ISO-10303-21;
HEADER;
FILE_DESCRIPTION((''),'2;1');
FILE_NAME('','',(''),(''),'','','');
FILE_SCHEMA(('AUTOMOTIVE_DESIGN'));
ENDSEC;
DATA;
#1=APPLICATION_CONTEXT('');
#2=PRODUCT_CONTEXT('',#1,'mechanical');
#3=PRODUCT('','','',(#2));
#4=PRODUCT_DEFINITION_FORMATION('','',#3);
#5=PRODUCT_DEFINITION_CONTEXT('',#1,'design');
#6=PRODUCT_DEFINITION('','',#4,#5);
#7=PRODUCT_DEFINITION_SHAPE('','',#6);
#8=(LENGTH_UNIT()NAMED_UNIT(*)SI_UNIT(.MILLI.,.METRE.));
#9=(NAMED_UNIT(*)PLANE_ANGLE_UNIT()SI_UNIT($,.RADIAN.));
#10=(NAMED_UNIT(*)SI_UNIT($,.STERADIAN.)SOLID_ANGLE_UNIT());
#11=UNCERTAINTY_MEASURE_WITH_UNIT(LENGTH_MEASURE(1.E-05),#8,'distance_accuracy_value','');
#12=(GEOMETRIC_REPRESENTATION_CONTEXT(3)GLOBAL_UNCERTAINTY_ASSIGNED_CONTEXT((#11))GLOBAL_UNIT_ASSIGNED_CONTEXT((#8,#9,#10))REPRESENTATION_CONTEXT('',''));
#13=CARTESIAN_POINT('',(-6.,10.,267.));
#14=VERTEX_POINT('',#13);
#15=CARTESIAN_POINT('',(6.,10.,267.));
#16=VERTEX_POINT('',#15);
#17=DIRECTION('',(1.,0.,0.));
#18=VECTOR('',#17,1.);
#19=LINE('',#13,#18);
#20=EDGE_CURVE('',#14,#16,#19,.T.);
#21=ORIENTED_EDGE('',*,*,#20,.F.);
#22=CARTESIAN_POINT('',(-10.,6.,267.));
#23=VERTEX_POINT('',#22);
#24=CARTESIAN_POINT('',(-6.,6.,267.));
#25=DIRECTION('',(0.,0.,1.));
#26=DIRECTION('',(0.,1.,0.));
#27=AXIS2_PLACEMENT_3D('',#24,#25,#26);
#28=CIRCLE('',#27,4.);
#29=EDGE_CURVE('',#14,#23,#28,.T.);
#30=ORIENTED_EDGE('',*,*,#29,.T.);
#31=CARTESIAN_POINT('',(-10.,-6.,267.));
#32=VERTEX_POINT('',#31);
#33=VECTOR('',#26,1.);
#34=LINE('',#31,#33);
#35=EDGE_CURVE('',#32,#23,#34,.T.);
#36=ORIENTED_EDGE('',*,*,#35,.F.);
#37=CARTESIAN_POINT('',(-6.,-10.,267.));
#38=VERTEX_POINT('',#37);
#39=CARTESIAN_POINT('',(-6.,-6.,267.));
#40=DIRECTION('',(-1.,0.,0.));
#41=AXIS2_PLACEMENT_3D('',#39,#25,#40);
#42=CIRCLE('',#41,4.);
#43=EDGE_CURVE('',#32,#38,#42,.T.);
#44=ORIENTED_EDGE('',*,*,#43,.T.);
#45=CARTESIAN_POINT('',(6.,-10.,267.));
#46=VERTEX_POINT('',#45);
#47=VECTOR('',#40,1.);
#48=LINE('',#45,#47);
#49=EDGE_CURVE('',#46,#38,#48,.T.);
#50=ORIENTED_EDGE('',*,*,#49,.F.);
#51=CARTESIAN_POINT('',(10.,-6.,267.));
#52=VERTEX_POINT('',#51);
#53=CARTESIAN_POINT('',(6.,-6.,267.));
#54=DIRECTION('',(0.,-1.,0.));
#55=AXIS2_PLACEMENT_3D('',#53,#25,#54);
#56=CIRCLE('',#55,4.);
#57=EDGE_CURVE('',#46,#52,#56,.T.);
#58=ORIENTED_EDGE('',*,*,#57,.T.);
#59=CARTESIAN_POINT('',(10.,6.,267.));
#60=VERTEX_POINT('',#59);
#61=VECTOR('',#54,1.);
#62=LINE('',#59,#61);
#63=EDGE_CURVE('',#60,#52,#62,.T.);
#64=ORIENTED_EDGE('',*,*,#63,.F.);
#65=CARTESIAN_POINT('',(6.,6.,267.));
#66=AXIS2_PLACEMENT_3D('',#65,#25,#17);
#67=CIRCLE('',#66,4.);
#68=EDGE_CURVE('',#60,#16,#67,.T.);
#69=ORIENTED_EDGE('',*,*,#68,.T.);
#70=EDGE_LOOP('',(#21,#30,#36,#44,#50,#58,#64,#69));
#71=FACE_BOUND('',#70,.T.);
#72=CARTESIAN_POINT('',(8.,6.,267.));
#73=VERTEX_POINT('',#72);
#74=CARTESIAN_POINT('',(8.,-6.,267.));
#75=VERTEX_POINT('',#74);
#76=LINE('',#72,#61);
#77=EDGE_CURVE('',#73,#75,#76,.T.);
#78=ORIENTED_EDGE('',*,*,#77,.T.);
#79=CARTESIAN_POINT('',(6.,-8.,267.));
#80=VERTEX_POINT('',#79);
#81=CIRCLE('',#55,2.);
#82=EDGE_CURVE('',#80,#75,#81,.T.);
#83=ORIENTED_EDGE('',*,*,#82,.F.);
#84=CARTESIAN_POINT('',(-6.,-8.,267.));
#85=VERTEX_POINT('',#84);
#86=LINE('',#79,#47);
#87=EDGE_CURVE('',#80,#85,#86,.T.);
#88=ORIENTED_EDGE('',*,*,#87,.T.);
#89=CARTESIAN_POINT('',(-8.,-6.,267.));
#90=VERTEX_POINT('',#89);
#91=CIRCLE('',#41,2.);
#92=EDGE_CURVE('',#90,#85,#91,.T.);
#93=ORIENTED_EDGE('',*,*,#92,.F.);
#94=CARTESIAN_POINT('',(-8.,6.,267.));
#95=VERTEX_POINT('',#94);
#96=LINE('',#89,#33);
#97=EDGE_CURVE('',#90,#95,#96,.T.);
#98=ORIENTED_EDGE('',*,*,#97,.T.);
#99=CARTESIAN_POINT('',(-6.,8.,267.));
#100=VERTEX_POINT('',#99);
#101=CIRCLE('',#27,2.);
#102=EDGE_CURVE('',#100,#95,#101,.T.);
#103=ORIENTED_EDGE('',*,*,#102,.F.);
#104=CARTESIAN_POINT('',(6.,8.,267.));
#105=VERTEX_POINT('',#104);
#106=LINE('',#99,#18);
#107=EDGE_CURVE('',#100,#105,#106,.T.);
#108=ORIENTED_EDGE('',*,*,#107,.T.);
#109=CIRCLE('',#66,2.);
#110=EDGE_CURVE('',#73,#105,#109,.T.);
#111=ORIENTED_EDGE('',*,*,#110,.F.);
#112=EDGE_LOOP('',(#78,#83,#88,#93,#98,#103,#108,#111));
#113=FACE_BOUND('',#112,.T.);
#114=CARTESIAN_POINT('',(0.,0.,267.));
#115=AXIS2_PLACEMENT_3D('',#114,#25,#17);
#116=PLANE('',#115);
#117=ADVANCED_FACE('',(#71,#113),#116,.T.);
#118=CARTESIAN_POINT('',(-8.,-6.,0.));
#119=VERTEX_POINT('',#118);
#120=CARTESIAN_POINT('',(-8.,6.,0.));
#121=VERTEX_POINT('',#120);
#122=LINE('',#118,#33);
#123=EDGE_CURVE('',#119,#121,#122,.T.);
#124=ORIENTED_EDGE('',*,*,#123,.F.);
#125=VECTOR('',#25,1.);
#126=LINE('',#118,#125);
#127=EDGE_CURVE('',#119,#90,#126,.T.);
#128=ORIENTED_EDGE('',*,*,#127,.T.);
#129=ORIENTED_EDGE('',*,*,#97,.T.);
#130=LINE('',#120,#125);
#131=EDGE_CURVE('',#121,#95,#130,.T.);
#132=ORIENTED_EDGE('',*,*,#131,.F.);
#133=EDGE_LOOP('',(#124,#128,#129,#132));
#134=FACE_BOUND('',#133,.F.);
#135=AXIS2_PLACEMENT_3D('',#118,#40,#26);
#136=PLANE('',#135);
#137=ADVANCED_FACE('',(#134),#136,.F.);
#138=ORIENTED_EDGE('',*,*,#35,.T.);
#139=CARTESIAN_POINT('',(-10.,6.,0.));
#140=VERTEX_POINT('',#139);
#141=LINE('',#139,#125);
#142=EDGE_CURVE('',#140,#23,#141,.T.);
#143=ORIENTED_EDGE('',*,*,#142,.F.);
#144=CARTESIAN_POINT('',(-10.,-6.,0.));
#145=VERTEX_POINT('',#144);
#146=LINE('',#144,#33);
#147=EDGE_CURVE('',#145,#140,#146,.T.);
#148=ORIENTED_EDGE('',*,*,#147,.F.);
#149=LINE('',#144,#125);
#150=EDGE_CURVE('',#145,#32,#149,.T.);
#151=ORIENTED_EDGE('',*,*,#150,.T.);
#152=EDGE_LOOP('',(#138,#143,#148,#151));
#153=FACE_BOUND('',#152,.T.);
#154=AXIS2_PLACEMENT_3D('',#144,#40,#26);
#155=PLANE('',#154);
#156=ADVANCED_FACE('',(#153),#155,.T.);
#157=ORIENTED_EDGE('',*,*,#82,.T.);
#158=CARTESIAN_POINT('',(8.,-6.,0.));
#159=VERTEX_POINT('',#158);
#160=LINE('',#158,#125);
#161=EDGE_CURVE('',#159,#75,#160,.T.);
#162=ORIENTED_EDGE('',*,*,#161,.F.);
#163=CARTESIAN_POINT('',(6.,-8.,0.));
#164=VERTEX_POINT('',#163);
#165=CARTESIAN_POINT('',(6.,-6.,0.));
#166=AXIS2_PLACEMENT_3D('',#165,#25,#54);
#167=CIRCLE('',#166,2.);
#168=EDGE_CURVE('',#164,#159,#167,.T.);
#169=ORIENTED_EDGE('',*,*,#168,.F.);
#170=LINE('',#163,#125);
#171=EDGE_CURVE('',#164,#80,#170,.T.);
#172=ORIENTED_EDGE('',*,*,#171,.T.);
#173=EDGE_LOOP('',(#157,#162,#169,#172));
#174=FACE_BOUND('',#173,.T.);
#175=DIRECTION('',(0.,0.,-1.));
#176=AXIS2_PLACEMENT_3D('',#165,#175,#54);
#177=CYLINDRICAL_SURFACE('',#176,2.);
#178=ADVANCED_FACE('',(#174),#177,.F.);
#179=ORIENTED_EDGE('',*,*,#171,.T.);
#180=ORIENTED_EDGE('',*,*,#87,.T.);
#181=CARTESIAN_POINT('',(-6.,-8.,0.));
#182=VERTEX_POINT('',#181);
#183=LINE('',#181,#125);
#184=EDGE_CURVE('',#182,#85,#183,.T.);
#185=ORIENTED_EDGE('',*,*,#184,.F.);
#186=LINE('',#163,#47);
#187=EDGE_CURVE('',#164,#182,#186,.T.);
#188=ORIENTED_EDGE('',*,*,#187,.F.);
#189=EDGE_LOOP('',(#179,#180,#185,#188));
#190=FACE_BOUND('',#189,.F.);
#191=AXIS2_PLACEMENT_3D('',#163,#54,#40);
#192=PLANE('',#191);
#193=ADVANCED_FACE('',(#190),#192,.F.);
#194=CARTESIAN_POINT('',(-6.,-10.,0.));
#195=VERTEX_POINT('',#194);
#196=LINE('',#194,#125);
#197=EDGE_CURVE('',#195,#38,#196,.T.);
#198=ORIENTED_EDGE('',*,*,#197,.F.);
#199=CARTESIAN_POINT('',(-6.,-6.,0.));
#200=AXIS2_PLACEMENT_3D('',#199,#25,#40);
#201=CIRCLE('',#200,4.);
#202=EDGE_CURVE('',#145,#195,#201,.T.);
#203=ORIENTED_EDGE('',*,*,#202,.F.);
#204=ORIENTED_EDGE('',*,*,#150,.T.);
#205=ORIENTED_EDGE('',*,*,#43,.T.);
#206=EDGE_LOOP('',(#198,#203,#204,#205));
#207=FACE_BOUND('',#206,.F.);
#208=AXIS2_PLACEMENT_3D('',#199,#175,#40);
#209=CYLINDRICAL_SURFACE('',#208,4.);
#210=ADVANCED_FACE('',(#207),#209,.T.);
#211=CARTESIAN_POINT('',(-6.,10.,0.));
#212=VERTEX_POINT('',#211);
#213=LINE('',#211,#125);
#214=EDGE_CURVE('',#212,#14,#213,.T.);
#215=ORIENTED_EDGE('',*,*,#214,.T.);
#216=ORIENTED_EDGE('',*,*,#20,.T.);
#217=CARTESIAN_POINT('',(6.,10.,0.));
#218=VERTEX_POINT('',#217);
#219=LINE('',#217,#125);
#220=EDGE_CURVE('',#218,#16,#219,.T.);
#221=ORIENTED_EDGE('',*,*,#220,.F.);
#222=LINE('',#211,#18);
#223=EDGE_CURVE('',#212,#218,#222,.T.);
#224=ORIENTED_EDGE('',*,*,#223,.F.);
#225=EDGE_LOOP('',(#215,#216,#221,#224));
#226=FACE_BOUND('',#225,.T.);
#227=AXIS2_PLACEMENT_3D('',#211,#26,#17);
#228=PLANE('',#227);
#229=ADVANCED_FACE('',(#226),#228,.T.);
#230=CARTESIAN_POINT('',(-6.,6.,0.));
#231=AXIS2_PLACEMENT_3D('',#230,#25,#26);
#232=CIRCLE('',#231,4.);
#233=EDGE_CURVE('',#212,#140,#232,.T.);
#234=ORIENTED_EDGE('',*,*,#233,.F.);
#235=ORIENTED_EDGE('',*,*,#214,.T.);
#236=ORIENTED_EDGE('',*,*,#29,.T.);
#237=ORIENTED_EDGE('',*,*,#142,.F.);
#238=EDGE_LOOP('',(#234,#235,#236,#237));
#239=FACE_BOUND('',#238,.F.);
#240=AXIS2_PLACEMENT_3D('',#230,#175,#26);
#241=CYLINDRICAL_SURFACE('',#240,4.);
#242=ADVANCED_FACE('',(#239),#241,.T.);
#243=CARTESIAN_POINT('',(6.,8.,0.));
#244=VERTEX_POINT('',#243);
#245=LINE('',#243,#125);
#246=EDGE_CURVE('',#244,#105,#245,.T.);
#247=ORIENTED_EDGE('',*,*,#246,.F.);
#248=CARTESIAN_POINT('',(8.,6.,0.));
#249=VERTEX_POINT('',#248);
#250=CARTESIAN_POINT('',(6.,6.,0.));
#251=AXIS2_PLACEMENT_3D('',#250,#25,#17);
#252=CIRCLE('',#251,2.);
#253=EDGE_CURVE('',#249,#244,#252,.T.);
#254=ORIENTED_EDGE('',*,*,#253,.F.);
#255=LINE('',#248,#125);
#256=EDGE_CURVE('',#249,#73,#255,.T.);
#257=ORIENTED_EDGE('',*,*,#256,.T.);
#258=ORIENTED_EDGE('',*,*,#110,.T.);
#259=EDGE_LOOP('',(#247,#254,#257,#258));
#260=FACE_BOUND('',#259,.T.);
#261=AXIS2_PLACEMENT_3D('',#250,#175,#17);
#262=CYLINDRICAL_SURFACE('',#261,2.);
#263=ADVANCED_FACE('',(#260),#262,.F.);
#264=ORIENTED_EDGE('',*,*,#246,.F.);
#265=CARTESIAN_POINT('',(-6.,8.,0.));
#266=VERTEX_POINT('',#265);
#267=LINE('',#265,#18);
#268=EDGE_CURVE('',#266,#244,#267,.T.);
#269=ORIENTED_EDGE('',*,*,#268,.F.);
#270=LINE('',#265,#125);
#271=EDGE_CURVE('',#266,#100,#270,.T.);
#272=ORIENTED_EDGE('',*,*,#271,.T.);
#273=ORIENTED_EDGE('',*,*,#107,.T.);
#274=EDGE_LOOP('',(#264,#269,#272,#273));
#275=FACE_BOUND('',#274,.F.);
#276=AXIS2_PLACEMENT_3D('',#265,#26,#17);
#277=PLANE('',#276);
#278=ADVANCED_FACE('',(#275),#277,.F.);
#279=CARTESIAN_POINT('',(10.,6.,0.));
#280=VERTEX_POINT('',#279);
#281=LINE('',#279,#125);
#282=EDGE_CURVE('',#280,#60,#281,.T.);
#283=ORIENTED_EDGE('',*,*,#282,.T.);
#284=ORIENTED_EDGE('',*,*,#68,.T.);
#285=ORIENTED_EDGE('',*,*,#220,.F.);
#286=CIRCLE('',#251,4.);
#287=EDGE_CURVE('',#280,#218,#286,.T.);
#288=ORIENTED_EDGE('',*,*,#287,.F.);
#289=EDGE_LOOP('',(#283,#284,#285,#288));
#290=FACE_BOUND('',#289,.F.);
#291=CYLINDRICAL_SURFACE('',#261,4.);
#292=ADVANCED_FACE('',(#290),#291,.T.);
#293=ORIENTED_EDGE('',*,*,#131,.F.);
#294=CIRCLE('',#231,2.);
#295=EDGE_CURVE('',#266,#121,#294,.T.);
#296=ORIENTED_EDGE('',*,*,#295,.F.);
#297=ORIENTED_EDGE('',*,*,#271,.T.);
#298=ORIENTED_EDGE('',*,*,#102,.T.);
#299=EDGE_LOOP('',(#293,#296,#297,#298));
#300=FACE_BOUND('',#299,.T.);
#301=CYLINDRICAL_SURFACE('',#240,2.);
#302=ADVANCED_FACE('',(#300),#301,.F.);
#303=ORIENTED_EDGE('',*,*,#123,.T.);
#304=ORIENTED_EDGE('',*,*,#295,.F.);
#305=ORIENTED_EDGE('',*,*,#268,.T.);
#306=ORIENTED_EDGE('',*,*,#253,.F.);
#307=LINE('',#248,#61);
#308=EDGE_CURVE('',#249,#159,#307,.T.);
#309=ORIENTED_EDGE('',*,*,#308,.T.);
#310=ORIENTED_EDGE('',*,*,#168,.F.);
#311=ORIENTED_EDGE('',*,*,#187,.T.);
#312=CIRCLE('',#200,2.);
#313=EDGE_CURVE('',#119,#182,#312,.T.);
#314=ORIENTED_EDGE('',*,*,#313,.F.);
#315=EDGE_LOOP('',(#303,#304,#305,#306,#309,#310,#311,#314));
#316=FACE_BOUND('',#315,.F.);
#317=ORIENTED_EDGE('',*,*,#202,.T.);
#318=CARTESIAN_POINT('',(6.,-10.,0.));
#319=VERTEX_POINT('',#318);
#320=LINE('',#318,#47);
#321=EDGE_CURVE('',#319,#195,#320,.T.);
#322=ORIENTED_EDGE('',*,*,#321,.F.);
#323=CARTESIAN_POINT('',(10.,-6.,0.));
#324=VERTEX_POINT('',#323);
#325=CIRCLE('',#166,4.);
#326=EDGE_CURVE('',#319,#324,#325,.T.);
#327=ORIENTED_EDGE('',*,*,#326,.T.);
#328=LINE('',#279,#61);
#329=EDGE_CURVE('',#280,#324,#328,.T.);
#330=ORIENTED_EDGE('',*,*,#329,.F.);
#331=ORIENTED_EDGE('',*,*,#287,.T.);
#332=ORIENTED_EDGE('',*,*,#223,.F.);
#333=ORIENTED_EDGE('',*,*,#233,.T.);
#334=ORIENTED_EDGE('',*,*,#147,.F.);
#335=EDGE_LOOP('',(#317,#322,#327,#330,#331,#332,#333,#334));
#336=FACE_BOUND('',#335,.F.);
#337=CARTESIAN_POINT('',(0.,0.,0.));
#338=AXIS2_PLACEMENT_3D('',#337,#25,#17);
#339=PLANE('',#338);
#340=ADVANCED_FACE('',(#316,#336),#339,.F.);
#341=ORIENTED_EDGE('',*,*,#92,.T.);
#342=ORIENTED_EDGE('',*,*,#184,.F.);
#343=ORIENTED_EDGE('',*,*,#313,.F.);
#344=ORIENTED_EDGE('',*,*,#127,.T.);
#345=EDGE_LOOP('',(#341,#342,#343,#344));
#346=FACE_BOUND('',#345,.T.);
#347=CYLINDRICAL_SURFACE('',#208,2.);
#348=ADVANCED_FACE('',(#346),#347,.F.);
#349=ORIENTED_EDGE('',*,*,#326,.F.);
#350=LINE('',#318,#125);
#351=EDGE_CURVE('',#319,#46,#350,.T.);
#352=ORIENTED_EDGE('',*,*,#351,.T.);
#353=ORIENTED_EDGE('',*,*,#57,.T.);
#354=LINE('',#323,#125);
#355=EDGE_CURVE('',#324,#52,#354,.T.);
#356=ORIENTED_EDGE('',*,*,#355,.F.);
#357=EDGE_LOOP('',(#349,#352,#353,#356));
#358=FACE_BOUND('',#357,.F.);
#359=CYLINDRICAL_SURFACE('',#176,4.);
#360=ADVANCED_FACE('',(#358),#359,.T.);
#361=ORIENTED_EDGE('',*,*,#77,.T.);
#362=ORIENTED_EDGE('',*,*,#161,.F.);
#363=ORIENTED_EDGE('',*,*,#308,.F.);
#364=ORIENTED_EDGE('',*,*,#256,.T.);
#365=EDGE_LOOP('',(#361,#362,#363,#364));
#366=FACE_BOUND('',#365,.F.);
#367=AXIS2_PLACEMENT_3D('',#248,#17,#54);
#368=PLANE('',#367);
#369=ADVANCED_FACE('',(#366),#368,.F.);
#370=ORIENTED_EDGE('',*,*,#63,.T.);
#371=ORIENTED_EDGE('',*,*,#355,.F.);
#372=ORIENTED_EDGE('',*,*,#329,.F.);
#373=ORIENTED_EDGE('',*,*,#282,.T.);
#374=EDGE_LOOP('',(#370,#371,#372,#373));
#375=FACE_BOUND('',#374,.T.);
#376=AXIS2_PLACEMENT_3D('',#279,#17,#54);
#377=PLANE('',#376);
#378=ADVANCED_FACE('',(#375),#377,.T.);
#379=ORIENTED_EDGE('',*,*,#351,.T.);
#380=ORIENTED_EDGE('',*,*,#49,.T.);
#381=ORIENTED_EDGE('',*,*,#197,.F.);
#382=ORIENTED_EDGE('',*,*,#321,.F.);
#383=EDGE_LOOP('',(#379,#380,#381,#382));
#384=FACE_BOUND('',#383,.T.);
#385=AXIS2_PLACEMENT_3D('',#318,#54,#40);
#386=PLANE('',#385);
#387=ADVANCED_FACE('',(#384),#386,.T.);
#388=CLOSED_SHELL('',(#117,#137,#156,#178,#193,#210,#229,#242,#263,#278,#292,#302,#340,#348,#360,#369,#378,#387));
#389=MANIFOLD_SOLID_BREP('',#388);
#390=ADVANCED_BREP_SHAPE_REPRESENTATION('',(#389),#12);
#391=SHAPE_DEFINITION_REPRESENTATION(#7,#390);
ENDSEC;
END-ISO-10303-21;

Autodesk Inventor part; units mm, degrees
ref_plane "YZ Plane" through (0, 0, 0) normal (1, 0, 0) x (0, 1, 0)
ref_plane "Plan de départ" through (0, 0, 0) normal (0, 0, 1) x (1, 0, 0)
ref_plane "Plan de fin" through (0, 0, 267) normal (0, 0, 1) x (1, 0, 0)
sketch "Esquisse" plane through (0, 0, 0) normal (0, 0, 1) x (1, 0, 0)
  line L0 (-10, -6) -> (-10, 6)
  line L1 (-6, 10) -> (6, 10)
  line L2 (10, 6) -> (10, -6)
  line L3 (6, -10) -> (-6, -10)
  arc A0 (-10, -6) -> (-6, -10) centre (-6, -6) ccw
  arc A1 (10, 6) -> (6, 10) centre (6, 6) ccw
  arc A2 (-6, 10) -> (-10, 6) centre (-6, 6) ccw
  arc A3 (6, -10) -> (10, -6) centre (6, -6) ccw
  arc A4 (-6, 8) -> (-8, 6) centre (-6, 6) ccw
  line L4 (-6, 8) -> (6, 8)
  arc A5 (8, 6) -> (6, 8) centre (6, 6) ccw
  line L5 (8, 6) -> (8, -6)
  arc A6 (6, -8) -> (8, -6) centre (6, -6) ccw
  line L6 (6, -8) -> (-6, -8)
  arc A7 (-8, -6) -> (-6, -8) centre (-6, -6) ccw
  line L7 (-8, -6) -> (-8, 6)
  line L8 (0, 15.1598) -> (0, -15.1598) construction
  line L9 (-15.1598, 0) -> (15.1598, 0) construction
  dimension "d7" = 4
  dimension "d9" = 20
  dimension "d11" = 20
  dimension "d12" = 2
  dimension "d15" = 10
  dimension "d16" = 10
extrude "Corps" add sketch "Esquisse" along normal up to surface (267 mm away) from surface at 0
sketch "Sketch3" plane through (0, 0, 0) normal (0, 0, 1) x (1, 0, 0)
  line L0 (0, 0) -> (10, 0)
ref_plane "Work Plane3" through (0, 0, 0) normal (0, -1, 0) x (1, 0, 0)
sketch "Sketch4" plane through (0, 0, 0) normal (0, -1, 0) x (1, 0, 0)
  line L0 (-2, 0) -> (12, 0) projected
  line L1 (-2, 267) -> (12, 267) projected
  dimension "d18" = 267
equation "\"d7\" = G_IR"
equation "\"d9\" = G_W"
equation "\"d11\" = G_H"
equation "\"d12\" = G_T"
equation "\"d15\" = 0.5 * d9"
equation "\"d16\" = 0.5 * d11"
equation "\"d3\" = G_L"
equation "\"G_W\" = 20"
equation "\"G_H\" = 20"
equation "\"G_T\" = 2"
equation "\"G_IR\" = 4"
equation "\"G_L\" = d18"
equation "\"G_OFFSET_START\" = 0"
equation "\"G_OFFSET_END\" = 0"
equation "\"d14\" = G_OFFSET_END + B_L"
equation "\"B_L\" = 267"
properties part number "ISO 10799-2 - 20x20x2 - 267" material "Acier, doux"
